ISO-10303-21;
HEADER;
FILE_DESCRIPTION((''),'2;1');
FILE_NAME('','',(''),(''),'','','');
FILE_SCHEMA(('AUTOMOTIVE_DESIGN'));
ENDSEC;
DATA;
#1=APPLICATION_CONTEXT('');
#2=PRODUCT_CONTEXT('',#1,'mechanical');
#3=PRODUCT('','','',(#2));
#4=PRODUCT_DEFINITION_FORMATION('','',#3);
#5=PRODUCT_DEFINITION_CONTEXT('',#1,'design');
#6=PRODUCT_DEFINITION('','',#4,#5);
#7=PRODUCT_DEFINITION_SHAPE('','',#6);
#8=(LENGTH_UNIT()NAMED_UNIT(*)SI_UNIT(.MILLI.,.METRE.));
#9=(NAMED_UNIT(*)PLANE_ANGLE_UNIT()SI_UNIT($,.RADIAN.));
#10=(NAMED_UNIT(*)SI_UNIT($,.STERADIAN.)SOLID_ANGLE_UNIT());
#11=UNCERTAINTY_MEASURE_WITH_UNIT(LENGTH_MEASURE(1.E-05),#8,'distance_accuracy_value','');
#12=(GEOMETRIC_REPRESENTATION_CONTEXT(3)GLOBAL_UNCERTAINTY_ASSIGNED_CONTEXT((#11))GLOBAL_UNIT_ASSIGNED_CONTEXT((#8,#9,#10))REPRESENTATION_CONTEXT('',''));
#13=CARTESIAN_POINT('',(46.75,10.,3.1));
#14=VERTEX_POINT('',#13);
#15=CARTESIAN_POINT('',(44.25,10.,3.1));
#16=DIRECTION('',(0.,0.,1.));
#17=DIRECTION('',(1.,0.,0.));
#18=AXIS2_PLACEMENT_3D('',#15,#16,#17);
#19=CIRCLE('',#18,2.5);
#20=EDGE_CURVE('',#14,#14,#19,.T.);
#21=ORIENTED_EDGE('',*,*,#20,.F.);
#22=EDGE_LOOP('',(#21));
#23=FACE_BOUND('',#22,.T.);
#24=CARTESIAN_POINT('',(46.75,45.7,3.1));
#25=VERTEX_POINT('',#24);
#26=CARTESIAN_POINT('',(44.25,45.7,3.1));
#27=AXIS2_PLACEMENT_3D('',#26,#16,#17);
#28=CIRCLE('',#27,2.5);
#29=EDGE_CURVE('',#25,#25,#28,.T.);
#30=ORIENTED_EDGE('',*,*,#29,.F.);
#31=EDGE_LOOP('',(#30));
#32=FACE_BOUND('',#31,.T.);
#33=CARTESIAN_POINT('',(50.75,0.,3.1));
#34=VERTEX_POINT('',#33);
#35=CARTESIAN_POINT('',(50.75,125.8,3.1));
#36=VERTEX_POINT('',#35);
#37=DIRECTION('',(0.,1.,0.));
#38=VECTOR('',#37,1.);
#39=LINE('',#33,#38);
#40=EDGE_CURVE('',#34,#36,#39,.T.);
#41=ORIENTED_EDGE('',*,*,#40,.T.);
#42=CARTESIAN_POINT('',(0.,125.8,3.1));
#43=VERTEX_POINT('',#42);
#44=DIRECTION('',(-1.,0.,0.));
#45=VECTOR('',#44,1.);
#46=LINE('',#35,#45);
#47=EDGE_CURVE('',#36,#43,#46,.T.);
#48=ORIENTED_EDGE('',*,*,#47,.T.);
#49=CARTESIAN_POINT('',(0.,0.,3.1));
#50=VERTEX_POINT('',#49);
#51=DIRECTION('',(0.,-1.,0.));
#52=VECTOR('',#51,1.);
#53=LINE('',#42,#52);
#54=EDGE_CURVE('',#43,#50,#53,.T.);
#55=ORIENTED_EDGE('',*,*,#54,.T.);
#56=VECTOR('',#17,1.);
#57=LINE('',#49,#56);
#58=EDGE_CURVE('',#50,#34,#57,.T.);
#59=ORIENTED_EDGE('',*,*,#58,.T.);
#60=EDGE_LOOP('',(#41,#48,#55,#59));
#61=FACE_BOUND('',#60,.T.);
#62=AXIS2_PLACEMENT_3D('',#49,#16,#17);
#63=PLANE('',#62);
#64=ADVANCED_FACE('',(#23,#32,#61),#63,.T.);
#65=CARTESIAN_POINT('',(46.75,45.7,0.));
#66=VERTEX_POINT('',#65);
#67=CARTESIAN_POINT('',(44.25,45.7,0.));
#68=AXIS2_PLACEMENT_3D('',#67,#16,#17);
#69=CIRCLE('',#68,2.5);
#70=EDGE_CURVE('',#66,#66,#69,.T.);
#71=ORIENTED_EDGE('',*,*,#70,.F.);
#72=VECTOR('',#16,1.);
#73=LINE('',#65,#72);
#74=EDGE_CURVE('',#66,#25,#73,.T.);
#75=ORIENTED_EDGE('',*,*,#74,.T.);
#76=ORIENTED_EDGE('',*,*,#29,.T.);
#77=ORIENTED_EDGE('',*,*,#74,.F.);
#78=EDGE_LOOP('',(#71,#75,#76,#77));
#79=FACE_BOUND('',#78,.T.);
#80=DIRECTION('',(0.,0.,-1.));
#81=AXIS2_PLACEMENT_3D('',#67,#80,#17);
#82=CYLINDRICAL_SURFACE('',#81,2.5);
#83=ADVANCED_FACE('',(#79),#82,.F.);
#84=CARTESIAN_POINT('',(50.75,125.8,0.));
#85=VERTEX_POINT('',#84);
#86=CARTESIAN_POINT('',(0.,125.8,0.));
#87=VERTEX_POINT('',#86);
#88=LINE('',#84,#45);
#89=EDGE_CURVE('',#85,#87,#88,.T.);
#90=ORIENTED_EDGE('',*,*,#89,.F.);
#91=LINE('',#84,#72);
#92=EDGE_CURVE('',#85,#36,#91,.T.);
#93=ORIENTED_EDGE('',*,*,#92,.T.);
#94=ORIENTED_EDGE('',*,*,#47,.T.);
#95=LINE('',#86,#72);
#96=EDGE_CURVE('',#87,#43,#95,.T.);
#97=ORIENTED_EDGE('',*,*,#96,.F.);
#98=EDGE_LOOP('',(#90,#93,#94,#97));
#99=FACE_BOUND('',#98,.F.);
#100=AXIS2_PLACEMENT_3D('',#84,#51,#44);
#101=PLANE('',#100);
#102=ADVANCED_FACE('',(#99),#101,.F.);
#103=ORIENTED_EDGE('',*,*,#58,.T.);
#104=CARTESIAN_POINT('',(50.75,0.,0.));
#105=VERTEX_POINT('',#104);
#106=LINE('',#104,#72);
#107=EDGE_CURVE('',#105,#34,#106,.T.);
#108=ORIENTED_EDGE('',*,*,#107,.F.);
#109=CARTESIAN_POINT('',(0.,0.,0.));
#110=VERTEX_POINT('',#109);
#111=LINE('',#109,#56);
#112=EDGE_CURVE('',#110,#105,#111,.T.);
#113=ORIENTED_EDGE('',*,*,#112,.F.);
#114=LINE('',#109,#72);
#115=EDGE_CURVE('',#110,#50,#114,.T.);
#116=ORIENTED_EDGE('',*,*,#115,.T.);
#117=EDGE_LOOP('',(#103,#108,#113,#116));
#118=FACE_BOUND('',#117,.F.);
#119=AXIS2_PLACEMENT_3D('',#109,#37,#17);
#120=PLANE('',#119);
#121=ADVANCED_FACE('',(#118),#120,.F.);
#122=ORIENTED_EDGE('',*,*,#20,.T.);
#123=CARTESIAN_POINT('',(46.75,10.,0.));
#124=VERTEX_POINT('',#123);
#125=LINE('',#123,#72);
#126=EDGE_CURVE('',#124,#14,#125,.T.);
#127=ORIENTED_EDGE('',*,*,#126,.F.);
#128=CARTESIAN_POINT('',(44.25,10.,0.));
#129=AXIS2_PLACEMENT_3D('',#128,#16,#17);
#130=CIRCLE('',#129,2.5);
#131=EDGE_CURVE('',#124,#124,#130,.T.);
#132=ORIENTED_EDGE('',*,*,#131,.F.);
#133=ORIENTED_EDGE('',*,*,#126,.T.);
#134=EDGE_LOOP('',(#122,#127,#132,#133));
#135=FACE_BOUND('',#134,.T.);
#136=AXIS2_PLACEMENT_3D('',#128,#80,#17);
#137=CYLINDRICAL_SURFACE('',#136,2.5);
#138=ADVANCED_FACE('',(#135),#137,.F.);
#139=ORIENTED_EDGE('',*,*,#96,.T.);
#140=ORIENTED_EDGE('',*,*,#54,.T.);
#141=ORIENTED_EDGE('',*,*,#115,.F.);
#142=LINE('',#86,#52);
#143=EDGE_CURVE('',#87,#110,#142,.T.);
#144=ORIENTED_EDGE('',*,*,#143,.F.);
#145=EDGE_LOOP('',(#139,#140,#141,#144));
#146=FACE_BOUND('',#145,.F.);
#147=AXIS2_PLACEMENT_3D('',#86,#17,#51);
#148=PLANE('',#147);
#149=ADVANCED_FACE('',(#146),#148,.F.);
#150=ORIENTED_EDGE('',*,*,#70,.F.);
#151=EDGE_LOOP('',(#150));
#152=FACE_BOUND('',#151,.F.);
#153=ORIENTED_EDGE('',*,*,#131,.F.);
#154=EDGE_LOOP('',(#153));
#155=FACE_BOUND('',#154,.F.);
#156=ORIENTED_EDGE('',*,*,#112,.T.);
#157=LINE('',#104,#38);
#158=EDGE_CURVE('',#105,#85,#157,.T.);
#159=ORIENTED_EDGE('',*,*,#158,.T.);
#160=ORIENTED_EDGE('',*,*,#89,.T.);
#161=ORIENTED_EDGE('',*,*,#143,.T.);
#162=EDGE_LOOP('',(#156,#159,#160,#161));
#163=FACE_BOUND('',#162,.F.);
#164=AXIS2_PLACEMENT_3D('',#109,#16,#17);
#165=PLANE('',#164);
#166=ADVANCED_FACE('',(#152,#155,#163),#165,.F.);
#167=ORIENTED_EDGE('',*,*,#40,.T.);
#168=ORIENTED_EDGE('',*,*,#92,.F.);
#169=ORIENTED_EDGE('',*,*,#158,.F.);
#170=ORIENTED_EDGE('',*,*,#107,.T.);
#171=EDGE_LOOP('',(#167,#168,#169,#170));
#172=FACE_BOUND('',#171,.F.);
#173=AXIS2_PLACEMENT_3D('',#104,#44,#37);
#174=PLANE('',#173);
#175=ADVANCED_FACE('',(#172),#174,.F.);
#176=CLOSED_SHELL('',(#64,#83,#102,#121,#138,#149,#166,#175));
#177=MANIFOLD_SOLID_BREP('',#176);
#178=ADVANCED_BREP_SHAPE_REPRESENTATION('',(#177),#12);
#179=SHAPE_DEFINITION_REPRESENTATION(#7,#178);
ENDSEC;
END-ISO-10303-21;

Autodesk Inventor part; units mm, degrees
ref_plane "YZ Plane" through (0, 0, 0) normal (1, 0, 0) x (0, 1, 0)
ref_plane "XZ Plane" through (0, 0, 0) normal (0, 1, 0) x (-1, 0, 0)
ref_plane "XY Plane" through (0, 0, 0) normal (0, 0, 1) x (1, 0, 0)
sketch "Sketch1" plane through (0, 0, 0) normal (0, 0, 1) x (1, 0, 0)
  line L0 (50.75, 0) -> (50.75, 125.8)
  line L1 (50.75, 125.8) -> (0, 125.8)
  line L2 (0, 125.8) -> (0, 0)
  circle A0 centre (44.25, 10) radius 2.5
  circle A1 centre (44.25, 45.7) radius 2.5
  line L3 (0, 0) -> (50.75, 0)
  dimension "d0" = 50.75
  dimension "d1" = 125.8
  dimension "d2" = 5
  dimension "d3" = 5
  dimension "d14" = 10
  dimension "d15" = 35.7
  dimension "d16" = 6.5
  dimension "d17" = 6.5
extrude "Extrusion1" add sketch "Sketch1" along normal blind 3.1
properties part number "BatteryBracket" material "Steel, Mild"
